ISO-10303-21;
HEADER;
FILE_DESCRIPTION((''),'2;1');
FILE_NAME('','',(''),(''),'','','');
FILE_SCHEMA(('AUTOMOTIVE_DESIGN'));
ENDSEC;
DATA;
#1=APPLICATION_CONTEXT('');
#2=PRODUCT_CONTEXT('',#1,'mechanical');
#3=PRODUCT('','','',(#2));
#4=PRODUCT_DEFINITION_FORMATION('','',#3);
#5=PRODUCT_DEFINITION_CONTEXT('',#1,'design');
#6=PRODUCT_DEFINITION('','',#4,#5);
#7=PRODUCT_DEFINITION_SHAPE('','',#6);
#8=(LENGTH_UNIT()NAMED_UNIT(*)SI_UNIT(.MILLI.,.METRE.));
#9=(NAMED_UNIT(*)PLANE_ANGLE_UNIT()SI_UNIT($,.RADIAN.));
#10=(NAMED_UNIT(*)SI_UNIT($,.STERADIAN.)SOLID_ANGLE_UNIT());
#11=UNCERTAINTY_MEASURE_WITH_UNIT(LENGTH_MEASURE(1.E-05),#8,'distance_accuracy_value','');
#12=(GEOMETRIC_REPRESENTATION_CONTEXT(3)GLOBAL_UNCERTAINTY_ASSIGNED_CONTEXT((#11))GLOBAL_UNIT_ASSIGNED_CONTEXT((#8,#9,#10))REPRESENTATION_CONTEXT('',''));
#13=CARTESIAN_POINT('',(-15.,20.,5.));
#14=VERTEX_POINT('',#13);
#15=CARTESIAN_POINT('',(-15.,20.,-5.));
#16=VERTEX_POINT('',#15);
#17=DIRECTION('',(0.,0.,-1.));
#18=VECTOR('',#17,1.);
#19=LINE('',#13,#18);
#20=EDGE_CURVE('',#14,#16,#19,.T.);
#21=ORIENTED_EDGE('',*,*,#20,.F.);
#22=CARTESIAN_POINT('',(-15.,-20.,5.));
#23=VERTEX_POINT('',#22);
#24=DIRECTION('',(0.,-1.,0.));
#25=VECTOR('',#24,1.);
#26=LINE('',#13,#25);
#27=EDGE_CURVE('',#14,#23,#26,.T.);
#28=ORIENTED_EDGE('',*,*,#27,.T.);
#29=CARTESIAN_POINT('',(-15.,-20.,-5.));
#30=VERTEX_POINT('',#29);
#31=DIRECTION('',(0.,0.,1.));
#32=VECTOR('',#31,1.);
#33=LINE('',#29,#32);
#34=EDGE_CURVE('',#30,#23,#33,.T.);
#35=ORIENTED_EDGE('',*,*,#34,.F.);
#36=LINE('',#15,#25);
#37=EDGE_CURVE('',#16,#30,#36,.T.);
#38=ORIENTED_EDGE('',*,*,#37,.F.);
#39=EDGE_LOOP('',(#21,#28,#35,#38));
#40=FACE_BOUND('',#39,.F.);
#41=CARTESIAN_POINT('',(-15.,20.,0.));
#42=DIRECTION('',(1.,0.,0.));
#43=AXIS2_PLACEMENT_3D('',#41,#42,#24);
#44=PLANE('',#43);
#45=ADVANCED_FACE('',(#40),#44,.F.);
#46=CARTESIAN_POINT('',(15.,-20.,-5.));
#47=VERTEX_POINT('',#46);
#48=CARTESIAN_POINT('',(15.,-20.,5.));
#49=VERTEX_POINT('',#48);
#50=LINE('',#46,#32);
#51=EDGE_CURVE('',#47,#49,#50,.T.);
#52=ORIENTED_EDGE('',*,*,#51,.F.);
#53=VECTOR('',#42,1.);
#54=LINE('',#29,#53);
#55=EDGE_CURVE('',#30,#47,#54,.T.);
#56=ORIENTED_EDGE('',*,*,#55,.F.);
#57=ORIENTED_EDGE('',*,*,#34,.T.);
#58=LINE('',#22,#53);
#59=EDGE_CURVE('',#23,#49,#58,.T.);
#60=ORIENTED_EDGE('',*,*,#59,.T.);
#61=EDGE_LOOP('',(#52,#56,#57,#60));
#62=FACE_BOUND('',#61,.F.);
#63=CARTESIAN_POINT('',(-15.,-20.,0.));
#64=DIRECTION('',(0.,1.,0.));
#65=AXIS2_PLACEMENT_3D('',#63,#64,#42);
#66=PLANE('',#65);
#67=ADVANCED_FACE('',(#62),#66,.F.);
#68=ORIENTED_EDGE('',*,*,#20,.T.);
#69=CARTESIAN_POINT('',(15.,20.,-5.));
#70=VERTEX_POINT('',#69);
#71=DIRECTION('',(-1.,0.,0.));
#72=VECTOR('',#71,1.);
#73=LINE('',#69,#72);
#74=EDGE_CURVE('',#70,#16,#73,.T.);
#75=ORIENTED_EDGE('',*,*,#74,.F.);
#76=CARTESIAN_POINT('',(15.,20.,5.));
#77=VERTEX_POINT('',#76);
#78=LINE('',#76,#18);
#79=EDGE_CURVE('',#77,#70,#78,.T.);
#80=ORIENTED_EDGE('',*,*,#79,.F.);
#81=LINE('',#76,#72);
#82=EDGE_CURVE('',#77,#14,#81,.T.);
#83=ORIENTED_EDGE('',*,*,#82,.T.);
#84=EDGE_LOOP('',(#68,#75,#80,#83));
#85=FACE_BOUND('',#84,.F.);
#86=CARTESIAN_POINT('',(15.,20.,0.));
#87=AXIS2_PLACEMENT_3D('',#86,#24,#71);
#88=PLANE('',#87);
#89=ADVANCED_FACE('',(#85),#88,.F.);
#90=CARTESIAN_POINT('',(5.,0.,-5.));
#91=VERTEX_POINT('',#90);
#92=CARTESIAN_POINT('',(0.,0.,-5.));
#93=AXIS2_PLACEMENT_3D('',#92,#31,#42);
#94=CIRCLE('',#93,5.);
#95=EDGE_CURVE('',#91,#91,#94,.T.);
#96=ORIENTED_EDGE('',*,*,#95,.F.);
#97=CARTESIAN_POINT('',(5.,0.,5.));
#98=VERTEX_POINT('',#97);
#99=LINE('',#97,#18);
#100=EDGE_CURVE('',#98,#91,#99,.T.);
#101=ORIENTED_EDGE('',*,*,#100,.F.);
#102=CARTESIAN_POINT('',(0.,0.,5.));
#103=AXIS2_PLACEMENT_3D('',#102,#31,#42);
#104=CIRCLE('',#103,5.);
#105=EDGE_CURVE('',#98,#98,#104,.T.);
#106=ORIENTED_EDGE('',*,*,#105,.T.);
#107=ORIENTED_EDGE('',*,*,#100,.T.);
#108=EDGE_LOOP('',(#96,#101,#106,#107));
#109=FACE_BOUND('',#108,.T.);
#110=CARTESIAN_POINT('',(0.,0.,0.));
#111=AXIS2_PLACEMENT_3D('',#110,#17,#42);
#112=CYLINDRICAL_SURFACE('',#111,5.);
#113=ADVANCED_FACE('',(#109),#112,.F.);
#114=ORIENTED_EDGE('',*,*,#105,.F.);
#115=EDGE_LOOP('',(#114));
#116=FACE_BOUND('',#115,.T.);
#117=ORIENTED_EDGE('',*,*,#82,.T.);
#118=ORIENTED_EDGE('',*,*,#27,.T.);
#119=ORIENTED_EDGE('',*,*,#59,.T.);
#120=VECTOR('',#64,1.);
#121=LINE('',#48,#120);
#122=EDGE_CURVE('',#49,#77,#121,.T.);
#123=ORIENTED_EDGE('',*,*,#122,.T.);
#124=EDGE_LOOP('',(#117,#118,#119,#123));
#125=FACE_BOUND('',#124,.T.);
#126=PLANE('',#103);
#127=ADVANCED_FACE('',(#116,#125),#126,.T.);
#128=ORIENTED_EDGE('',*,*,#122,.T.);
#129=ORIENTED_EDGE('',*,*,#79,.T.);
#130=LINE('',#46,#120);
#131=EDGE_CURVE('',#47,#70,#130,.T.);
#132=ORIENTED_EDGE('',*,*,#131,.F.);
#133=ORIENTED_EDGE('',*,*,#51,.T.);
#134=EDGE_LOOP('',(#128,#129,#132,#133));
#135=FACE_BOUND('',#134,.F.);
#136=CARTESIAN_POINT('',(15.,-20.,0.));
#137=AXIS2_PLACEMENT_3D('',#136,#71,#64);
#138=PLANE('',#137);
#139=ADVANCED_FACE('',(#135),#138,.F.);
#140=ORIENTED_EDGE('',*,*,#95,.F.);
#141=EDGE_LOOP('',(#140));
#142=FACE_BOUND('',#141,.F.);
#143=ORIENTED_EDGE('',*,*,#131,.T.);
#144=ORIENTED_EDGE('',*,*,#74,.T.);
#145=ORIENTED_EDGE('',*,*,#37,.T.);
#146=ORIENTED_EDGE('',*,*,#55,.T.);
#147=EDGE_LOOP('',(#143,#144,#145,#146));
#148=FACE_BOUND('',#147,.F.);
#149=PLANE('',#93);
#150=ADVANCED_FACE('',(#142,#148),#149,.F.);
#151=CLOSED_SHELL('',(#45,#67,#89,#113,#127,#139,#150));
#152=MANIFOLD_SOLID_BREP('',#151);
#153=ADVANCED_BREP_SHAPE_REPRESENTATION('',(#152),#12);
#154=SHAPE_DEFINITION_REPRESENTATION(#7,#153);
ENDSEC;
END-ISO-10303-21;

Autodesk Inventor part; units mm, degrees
ref_plane "YZ Plane" through (0, 0, 0) normal (1, 0, 0) x (0, 1, 0)
ref_plane "XZ Plane" through (0, 0, 0) normal (0, 1, 0) x (-1, 0, 0)
ref_plane "XY Plane" through (0, 0, 0) normal (0, 0, 1) x (1, 0, 0)
sketch "Sketch1" plane through (0, 0, 0) normal (0, 0, 1) x (1, 0, 0)
  circle A0 centre (0, 0) radius 5
  line L0 (-15, -20) -> (15, -20)
  line L1 (15, -20) -> (15, 20)
  line L2 (15, 20) -> (-15, 20)
  line L3 (-15, 20) -> (-15, -20)
  line L4 (-15, -20) -> (15, 20) construction
  line L5 (15, -20) -> (-15, 20) construction
  dimension "d0" = 10
  dimension "d1" = 30
  dimension "d2" = 40
extrude "Extrusion1" add sketch "Sketch1" along normal mid plane 10
properties part number "Corredera" material "Stainless Steel"
